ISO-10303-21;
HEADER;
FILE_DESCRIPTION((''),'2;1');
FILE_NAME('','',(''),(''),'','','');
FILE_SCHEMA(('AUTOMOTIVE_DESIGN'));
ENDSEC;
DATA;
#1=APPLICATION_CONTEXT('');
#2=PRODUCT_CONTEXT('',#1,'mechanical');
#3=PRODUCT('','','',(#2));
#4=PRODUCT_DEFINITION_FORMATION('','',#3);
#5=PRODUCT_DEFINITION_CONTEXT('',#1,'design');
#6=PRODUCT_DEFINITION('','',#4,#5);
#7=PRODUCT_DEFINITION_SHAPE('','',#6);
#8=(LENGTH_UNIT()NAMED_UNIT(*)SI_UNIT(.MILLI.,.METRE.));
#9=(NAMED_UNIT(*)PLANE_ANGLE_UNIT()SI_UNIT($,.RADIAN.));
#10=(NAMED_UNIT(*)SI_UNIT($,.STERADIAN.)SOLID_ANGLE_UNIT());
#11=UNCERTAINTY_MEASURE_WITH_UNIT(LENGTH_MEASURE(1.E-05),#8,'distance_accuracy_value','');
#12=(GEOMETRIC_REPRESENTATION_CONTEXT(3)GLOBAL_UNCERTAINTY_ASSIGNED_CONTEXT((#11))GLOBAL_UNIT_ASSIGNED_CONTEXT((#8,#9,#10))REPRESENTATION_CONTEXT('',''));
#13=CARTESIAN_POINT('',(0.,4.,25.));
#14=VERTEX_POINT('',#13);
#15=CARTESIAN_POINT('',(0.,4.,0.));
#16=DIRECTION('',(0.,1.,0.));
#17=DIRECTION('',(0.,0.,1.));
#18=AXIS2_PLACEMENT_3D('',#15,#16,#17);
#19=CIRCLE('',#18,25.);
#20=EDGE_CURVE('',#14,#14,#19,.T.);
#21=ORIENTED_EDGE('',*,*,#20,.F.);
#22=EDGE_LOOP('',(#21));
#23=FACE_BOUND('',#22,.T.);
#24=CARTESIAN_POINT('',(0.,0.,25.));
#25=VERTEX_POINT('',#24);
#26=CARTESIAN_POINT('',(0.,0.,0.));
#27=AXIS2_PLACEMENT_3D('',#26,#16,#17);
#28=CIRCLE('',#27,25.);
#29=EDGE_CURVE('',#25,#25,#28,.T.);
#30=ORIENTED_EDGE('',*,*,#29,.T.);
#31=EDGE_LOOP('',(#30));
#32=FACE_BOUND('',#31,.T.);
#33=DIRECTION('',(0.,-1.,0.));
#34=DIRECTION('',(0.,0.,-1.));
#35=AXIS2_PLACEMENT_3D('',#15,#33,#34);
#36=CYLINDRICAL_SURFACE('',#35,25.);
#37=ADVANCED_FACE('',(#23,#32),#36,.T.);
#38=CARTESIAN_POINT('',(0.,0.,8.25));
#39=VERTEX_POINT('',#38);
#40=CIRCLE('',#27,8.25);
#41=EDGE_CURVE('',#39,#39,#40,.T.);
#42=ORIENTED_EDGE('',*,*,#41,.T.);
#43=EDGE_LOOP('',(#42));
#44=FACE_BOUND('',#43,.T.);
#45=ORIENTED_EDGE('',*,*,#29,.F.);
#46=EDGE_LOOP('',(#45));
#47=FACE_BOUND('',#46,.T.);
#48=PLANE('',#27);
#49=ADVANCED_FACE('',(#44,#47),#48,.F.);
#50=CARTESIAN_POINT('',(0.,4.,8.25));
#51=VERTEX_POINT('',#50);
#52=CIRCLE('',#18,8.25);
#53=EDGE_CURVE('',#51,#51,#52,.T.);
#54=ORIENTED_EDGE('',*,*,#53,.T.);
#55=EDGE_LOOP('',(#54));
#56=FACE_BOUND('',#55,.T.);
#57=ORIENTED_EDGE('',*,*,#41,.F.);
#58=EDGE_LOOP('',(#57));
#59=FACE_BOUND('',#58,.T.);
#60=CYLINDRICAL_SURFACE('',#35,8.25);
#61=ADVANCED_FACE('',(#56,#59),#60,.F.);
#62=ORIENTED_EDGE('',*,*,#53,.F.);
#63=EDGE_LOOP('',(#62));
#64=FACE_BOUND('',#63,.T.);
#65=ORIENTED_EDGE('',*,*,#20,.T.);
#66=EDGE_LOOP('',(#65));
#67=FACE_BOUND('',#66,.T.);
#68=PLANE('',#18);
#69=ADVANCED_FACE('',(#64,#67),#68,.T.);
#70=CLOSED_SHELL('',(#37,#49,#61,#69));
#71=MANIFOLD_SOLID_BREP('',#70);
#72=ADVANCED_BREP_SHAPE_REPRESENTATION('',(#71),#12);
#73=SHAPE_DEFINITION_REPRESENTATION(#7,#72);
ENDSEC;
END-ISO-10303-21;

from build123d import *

# Parameters (mm, degrees)
SKETCH_1_R      = 25
SKETCH_1_R_2    = 8.25
EXTRUDE_1_DEPTH = 4


with BuildPart() as part:
    # Эскиз1 → Бобышка-Вытянуть1 (new body)
    with BuildSketch(Plane(origin=(0, 0, 0), x_dir=(1, 0, 0), z_dir=(0, 1, 0))):
        with Locations(Location((0, 0, 0), (0, 0, 270))):
            Circle(SKETCH_1_R)
        with Locations(Location((0, 0, 0), (0, 0, 270))):
            Circle(SKETCH_1_R_2, mode=Mode.SUBTRACT)
    extrude(amount=EXTRUDE_1_DEPTH)


solid = part.part
